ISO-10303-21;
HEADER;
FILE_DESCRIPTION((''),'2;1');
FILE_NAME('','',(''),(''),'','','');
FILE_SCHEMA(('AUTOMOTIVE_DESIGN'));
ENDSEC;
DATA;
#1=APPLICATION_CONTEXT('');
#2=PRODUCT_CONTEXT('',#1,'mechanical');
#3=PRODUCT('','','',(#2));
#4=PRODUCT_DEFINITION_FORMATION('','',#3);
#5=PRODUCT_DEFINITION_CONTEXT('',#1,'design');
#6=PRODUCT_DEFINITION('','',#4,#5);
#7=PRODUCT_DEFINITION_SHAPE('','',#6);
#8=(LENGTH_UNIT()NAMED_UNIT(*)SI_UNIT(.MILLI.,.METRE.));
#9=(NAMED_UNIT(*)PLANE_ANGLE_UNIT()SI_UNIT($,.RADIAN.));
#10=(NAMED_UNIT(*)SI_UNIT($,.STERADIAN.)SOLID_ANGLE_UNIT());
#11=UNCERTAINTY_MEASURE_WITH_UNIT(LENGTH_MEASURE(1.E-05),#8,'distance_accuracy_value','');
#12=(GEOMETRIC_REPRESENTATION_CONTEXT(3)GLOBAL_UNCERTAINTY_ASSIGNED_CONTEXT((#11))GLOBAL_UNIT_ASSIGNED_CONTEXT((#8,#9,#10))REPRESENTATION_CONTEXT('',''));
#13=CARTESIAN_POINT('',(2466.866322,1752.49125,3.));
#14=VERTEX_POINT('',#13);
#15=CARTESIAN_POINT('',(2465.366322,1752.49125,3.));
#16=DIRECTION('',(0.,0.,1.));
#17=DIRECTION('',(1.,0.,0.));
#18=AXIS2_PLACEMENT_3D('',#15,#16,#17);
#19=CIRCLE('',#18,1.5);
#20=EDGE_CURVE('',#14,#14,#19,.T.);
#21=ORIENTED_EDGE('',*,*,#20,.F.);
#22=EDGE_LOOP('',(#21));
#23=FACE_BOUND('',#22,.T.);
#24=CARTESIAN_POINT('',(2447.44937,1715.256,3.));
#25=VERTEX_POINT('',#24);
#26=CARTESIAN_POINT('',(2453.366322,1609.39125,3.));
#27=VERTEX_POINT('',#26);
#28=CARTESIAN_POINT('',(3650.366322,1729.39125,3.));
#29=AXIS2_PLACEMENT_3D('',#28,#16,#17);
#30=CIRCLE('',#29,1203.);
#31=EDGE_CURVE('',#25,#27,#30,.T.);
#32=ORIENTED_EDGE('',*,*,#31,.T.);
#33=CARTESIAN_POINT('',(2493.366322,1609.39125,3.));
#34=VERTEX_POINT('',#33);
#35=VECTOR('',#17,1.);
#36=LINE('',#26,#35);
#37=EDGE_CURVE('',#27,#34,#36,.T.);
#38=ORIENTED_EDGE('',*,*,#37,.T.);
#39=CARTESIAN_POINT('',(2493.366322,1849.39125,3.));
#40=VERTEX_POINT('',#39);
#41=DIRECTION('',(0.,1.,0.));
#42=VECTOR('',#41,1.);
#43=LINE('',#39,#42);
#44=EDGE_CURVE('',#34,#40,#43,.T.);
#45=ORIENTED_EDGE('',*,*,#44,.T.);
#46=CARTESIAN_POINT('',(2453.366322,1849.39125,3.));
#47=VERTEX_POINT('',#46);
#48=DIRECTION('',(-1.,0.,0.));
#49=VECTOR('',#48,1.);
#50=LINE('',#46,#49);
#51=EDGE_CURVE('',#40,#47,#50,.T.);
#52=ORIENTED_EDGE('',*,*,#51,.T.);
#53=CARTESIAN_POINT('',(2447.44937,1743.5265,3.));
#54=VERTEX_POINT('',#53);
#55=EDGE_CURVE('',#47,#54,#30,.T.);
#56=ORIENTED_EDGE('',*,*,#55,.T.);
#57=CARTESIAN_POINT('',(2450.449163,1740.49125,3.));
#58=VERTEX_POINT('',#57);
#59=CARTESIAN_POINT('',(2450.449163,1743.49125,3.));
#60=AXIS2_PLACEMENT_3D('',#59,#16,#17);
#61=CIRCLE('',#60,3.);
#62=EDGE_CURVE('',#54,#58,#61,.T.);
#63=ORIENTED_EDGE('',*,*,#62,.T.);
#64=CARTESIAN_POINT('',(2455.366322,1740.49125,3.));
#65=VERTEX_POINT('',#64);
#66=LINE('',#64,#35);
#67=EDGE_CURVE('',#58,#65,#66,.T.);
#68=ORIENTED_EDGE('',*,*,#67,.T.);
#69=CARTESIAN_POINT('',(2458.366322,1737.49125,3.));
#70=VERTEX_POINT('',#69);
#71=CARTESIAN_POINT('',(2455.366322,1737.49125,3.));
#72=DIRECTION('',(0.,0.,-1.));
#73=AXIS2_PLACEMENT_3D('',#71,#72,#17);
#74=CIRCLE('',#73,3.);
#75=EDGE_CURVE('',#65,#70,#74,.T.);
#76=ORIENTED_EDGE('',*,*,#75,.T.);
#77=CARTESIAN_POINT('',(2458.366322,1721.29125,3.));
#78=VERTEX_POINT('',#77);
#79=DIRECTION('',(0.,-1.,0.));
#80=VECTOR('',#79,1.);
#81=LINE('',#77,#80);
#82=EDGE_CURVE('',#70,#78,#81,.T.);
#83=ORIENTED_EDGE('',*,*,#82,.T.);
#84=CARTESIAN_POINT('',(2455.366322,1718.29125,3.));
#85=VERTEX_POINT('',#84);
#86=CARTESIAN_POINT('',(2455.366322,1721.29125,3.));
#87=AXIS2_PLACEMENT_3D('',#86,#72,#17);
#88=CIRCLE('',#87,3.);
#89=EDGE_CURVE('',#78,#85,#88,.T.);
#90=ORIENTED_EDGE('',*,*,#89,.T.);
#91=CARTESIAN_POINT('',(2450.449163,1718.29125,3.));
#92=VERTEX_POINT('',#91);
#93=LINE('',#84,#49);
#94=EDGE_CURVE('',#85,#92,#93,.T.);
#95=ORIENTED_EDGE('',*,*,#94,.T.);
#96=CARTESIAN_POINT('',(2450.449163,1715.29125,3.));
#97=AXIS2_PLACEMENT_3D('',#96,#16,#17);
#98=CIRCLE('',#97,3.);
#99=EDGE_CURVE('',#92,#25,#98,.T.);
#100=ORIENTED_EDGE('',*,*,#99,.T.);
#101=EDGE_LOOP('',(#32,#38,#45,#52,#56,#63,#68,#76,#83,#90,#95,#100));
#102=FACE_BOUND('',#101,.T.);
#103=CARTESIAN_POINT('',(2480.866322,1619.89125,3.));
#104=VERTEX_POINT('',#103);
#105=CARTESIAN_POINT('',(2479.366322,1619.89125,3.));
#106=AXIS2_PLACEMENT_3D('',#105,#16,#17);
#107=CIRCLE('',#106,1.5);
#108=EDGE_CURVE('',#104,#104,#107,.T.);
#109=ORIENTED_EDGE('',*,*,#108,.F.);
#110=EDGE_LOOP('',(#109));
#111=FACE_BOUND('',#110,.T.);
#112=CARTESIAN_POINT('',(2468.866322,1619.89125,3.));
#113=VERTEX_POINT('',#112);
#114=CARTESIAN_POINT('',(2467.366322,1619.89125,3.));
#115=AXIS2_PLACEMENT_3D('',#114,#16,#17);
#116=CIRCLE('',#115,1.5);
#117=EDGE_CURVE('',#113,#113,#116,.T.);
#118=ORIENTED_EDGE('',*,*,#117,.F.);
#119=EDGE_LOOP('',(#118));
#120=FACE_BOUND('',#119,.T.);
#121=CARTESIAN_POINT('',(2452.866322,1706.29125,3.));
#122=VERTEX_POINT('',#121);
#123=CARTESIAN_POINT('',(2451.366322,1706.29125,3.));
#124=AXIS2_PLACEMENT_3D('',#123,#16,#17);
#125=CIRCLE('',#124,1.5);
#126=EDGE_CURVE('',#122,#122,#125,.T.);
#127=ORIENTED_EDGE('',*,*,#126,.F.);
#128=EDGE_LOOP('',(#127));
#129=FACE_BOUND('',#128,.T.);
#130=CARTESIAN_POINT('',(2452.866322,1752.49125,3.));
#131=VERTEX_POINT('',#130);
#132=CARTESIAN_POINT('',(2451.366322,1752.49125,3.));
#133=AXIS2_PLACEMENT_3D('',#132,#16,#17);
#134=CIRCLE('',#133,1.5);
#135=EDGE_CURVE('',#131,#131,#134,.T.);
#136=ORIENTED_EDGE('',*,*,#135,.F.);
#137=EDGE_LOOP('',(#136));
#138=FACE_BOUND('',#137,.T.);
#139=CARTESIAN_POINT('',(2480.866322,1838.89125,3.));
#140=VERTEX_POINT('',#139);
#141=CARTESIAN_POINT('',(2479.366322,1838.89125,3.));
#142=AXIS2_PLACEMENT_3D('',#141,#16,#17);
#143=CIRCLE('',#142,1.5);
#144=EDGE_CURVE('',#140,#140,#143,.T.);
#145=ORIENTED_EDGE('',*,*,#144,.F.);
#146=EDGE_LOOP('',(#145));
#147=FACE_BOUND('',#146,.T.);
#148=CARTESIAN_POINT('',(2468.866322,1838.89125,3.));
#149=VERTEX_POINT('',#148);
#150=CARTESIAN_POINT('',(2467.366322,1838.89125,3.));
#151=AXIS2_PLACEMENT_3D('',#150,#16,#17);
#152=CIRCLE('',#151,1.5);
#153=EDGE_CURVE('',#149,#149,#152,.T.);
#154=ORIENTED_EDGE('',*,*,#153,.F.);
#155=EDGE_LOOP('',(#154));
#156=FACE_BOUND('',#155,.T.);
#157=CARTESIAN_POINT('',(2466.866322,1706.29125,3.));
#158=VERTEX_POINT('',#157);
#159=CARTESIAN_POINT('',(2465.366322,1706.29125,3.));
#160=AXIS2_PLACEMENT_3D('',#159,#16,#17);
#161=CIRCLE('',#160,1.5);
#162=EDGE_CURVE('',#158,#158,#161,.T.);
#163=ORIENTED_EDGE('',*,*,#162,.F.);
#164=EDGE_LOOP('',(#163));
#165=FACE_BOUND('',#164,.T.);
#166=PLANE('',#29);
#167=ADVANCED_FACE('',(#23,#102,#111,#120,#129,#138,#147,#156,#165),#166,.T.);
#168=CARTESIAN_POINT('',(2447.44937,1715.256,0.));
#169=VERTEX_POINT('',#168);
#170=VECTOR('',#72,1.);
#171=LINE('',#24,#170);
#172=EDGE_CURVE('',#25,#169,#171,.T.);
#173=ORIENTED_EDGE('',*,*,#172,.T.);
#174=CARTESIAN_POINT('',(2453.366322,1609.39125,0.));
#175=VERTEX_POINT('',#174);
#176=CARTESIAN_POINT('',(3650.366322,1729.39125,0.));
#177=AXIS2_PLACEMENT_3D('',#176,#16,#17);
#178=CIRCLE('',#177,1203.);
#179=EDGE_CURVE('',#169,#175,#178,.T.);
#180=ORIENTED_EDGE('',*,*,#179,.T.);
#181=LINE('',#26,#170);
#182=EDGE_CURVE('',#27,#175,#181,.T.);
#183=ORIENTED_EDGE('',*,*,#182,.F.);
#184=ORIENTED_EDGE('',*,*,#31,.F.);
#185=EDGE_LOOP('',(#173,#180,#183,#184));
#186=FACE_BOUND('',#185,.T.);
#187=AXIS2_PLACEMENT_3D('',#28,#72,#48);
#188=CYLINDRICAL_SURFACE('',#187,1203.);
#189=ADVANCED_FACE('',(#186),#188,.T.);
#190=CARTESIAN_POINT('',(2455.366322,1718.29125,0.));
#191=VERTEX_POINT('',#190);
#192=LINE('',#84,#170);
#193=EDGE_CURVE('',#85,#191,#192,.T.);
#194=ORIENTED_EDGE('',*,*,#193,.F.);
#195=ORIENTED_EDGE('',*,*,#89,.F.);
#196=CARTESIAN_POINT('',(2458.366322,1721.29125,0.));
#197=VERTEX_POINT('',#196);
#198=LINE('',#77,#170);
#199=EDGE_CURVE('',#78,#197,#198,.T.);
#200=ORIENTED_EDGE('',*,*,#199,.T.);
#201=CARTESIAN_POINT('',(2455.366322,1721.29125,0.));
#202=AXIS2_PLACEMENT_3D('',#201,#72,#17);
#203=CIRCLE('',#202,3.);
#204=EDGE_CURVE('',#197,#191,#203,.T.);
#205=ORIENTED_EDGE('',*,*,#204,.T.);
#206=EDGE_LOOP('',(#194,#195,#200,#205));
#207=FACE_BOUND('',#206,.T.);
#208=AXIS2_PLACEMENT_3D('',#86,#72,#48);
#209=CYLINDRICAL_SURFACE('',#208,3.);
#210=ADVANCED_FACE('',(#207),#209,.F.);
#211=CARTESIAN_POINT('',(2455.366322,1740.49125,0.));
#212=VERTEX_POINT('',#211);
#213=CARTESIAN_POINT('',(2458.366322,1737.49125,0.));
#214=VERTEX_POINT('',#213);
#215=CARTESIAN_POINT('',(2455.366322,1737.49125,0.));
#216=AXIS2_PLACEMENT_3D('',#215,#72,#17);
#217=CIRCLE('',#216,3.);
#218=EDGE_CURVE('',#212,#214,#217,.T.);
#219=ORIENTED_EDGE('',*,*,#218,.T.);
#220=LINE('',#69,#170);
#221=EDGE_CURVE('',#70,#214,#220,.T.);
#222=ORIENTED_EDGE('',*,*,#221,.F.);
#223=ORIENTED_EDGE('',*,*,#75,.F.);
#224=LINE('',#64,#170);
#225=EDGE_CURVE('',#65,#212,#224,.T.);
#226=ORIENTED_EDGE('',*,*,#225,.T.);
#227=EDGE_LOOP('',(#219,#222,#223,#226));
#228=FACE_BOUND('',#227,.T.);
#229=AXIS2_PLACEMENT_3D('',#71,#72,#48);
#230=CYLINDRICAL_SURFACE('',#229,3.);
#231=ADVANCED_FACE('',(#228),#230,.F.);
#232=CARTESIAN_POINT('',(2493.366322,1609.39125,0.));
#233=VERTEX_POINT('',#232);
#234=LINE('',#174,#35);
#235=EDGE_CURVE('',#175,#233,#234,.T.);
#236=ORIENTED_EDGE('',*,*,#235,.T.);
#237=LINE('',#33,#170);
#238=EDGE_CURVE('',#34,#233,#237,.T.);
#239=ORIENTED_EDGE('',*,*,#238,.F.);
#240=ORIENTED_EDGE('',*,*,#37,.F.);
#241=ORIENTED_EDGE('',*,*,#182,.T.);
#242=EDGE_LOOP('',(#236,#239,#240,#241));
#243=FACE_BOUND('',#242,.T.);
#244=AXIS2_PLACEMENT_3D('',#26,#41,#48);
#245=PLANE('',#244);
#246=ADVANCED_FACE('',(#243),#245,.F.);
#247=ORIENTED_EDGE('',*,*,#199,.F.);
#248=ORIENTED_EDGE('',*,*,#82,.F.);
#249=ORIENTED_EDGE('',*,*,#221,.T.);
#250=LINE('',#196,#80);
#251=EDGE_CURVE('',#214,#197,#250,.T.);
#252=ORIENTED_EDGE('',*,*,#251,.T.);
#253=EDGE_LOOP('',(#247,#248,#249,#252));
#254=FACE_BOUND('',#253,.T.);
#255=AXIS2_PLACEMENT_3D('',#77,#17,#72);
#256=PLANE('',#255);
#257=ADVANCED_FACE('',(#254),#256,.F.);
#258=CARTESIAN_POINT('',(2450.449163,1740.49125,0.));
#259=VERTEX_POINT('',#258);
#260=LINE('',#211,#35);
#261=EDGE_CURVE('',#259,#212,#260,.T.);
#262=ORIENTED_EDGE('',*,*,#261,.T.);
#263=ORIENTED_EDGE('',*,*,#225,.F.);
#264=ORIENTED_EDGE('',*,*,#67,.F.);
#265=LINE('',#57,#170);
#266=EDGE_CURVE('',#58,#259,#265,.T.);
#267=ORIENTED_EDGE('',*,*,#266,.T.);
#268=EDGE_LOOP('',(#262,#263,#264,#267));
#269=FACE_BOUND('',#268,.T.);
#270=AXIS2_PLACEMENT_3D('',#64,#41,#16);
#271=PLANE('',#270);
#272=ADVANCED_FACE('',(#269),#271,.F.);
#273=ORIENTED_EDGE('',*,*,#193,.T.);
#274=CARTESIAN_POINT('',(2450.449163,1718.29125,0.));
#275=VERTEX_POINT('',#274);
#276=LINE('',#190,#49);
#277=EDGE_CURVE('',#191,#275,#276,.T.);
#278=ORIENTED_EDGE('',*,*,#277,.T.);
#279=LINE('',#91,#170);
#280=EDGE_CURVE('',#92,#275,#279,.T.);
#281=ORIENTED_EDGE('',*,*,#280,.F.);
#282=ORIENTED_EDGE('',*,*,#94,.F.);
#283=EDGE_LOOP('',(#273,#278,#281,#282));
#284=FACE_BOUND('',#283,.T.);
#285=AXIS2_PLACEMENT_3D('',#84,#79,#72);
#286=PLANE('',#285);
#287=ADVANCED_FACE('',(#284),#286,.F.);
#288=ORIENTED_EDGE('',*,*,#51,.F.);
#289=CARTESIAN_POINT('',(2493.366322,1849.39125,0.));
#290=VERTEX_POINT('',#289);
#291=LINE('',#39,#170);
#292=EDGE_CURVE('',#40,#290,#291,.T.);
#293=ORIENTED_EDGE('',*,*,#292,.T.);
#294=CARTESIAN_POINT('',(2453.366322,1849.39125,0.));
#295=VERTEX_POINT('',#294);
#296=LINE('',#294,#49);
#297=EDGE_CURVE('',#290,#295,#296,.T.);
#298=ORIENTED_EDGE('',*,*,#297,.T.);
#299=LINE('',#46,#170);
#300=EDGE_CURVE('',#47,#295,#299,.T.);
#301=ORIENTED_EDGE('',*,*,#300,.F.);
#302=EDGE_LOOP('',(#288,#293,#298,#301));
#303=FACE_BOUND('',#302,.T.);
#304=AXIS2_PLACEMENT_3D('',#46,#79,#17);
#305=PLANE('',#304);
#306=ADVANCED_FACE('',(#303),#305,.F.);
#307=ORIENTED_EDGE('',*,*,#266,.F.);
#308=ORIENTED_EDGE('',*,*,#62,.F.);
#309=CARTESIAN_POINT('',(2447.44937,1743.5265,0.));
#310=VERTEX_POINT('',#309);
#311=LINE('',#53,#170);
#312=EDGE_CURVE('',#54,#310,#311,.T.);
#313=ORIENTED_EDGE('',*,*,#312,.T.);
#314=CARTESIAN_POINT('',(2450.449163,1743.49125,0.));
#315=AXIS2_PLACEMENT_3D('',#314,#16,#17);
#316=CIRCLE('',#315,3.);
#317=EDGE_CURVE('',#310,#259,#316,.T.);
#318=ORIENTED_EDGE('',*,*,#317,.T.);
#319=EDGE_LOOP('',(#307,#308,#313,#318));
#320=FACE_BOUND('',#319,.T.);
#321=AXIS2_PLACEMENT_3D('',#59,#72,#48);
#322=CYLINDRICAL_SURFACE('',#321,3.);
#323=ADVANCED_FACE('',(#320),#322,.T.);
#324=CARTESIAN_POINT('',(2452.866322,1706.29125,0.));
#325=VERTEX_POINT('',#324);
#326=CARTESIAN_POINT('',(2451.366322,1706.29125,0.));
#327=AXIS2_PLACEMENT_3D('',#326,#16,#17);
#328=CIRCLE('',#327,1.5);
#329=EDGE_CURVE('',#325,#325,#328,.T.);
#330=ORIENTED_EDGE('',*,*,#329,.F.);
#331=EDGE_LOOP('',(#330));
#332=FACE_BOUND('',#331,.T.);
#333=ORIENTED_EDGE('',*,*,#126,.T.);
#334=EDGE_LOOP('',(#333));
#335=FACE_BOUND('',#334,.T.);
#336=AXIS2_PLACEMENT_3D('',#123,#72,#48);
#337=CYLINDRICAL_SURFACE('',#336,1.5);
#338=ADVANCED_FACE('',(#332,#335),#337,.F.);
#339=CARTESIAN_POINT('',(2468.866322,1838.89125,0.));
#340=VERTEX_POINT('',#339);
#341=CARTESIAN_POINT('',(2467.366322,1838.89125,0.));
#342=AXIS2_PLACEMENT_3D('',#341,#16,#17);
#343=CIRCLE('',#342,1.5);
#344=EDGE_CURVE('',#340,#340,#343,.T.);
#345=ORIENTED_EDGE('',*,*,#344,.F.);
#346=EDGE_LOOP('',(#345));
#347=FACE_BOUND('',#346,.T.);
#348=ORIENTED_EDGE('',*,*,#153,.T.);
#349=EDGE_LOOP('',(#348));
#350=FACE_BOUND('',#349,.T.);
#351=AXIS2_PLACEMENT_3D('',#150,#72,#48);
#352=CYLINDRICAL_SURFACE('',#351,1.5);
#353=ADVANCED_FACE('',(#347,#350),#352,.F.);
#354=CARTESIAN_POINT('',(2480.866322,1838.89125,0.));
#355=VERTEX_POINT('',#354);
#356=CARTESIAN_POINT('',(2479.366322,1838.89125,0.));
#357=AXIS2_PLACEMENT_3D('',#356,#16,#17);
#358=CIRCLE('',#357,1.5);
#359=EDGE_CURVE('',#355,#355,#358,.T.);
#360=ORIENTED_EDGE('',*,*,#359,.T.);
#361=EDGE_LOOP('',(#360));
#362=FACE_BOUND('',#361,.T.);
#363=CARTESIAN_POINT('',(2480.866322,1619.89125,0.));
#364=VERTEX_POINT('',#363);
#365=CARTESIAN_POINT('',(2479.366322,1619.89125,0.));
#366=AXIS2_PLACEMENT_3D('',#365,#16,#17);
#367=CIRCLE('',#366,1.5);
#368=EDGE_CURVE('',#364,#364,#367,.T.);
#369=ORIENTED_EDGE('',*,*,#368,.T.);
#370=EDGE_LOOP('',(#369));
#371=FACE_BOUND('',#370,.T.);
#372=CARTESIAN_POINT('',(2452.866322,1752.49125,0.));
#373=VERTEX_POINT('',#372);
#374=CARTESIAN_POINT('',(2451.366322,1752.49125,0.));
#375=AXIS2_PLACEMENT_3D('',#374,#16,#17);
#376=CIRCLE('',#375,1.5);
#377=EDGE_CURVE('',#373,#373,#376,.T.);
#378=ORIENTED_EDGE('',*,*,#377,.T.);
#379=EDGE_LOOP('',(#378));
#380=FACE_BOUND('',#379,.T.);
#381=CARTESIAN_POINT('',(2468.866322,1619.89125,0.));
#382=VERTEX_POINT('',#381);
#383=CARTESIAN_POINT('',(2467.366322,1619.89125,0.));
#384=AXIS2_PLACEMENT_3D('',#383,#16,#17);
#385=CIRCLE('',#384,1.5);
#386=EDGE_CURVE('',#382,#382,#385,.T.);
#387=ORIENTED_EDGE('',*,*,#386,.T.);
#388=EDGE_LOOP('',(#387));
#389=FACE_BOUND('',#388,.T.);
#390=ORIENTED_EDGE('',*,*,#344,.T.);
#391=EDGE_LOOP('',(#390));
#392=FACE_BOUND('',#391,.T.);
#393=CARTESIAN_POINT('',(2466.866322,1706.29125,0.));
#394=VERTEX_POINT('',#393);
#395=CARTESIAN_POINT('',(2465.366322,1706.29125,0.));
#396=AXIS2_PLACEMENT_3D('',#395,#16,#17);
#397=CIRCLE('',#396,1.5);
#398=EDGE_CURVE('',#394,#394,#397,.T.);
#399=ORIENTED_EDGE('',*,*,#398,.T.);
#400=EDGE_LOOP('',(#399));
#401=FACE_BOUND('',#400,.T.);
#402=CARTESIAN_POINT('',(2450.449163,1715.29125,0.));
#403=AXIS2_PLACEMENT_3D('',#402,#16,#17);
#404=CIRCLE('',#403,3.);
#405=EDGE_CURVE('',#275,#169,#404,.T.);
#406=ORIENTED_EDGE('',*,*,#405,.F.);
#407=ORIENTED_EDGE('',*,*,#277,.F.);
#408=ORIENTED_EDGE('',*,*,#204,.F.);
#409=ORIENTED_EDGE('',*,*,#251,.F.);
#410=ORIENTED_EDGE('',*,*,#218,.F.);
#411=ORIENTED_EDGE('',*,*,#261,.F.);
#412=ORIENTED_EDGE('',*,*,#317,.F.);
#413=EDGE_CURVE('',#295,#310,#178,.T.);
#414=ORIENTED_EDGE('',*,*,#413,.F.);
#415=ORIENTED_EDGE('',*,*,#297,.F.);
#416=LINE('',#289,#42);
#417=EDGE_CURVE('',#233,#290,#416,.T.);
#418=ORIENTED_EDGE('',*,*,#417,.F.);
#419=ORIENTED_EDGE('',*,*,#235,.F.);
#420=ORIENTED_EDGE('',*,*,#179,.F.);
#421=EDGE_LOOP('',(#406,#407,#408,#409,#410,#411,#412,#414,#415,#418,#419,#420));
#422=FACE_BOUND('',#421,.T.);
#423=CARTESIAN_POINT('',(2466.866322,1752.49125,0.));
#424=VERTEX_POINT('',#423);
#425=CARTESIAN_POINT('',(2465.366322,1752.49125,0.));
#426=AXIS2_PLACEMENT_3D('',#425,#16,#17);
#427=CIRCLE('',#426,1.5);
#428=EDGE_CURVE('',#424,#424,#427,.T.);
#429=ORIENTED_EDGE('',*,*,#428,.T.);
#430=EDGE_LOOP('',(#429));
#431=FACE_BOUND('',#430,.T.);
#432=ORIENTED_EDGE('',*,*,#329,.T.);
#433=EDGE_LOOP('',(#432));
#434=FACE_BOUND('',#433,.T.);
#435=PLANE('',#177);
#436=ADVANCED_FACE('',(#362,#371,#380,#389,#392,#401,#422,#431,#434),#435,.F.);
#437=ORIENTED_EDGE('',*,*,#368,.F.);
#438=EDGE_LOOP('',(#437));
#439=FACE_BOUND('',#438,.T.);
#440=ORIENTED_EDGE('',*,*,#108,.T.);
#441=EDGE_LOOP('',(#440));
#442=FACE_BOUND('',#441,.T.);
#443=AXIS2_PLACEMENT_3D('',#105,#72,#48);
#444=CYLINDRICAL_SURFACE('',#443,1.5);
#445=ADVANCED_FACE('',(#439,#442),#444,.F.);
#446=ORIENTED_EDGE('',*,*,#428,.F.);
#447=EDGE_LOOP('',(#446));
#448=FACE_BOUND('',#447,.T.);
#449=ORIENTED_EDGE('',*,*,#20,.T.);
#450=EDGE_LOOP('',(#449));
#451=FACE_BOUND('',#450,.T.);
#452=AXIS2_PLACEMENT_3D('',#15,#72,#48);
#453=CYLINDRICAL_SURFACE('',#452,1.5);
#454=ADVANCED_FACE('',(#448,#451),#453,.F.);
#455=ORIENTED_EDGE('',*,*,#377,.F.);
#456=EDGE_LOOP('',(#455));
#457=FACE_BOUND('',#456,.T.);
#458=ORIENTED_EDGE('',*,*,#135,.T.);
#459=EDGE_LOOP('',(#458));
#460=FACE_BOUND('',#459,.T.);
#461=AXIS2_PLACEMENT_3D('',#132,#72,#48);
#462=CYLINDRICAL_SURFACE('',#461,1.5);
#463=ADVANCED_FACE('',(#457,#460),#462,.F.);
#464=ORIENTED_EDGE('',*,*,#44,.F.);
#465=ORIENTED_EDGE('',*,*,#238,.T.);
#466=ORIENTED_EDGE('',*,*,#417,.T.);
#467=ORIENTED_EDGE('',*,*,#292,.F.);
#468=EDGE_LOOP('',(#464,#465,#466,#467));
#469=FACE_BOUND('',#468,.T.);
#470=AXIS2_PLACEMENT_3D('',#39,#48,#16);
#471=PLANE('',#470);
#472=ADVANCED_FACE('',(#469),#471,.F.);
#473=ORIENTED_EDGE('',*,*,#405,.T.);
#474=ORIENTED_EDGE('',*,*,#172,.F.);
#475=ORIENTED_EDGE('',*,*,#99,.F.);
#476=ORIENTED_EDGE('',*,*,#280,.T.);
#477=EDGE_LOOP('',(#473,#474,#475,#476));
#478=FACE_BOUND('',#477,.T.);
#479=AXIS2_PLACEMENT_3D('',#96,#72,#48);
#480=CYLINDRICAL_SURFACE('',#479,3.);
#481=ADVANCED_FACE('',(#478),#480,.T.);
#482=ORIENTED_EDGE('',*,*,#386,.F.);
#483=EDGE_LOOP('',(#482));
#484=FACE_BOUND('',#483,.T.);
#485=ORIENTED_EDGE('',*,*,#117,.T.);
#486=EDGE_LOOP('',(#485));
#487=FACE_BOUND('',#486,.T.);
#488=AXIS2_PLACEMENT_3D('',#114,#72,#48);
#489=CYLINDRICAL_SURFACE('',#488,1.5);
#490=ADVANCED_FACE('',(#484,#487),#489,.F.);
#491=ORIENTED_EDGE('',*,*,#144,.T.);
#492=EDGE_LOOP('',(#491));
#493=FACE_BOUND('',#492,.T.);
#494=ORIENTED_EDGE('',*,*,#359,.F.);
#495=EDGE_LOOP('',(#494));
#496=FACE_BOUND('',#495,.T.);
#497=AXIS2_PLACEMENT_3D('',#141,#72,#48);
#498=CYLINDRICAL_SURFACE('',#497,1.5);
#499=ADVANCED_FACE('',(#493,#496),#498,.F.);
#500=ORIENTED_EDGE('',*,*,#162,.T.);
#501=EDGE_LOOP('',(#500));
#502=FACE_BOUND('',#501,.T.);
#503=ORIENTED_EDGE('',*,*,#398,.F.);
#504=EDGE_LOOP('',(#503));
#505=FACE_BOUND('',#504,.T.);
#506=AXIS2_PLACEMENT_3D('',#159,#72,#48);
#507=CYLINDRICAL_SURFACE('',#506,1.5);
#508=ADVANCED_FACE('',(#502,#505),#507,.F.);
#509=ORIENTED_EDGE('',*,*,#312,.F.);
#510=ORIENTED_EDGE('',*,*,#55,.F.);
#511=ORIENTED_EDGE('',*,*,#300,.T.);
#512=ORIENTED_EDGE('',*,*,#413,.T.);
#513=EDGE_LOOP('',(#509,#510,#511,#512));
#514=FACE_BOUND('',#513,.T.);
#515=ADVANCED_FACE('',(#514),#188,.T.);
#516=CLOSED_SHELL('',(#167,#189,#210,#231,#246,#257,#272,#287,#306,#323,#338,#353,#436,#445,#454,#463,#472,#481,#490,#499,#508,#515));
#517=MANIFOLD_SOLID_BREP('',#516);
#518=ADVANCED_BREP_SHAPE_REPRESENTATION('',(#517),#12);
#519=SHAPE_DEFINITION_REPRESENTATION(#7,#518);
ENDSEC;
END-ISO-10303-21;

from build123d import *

# Parameters (mm, degrees)
MODEL_R         = 1.5
EXTRUDE_1_DEPTH = 3


with BuildPart() as part:
    # Model → 凸台-拉伸1 (new body)
    with BuildSketch(Plane.XY):
        with BuildLine():
            Line((2493.366322478, 1849.391249913), (2493.366322478, 1609.391249913))
            Line((2493.366322478, 1609.391249913), (2453.366322478, 1609.391249913))
            ThreePointArc((2453.366322478, 1609.391249913), (2449.24094139, 1662.258404711), (2447.449369938, 1715.255999913))
            ThreePointArc((2447.449369938, 1715.255999913), (2448.315416133, 1717.400070674), (2450.449162837, 1718.291249913))
            Line((2450.449162837, 1718.291249913), (2455.366322478, 1718.291249913))
            ThreePointArc((2455.366322478, 1718.291249913), (2457.487642822, 1719.16992957), (2458.366322478, 1721.291249913))
            Line((2458.366322478, 1721.291249913), (2458.366322478, 1737.491249913))
            ThreePointArc((2458.366322478, 1737.491249913), (2457.487642822, 1739.612570257), (2455.366322478, 1740.491249913))
            Line((2455.366322478, 1740.491249913), (2450.449162837, 1740.491249913))
            ThreePointArc((2450.449162837, 1740.491249913), (2448.315416133, 1741.382429153), (2447.449369938, 1743.526499913))
            ThreePointArc((2447.449369938, 1743.526499913), (2449.24094139, 1796.524095116), (2453.366322478, 1849.391249913))
            Line((2453.366322478, 1849.391249913), (2493.366322478, 1849.391249913))
        make_face()
        with Locations((2479.366322478, 1619.891249913)):
            Circle(MODEL_R, mode=Mode.SUBTRACT)
        with Locations((2467.366322478, 1619.891249913)):
            Circle(MODEL_R, mode=Mode.SUBTRACT)
        with Locations((2467.366322478, 1838.891249913)):
            Circle(MODEL_R, mode=Mode.SUBTRACT)
        with Locations((2479.366322478, 1838.891249913)):
            Circle(MODEL_R, mode=Mode.SUBTRACT)
        with Locations((2465.366322478, 1752.491249913)):
            Circle(MODEL_R, mode=Mode.SUBTRACT)
        with Locations((2465.366322478, 1706.291249913)):
            Circle(MODEL_R, mode=Mode.SUBTRACT)
        with Locations((2451.366322478, 1706.291249913)):
            Circle(MODEL_R, mode=Mode.SUBTRACT)
        with Locations((2451.366322478, 1752.491249913)):
            Circle(MODEL_R, mode=Mode.SUBTRACT)
    extrude(amount=EXTRUDE_1_DEPTH)


solid = part.part
